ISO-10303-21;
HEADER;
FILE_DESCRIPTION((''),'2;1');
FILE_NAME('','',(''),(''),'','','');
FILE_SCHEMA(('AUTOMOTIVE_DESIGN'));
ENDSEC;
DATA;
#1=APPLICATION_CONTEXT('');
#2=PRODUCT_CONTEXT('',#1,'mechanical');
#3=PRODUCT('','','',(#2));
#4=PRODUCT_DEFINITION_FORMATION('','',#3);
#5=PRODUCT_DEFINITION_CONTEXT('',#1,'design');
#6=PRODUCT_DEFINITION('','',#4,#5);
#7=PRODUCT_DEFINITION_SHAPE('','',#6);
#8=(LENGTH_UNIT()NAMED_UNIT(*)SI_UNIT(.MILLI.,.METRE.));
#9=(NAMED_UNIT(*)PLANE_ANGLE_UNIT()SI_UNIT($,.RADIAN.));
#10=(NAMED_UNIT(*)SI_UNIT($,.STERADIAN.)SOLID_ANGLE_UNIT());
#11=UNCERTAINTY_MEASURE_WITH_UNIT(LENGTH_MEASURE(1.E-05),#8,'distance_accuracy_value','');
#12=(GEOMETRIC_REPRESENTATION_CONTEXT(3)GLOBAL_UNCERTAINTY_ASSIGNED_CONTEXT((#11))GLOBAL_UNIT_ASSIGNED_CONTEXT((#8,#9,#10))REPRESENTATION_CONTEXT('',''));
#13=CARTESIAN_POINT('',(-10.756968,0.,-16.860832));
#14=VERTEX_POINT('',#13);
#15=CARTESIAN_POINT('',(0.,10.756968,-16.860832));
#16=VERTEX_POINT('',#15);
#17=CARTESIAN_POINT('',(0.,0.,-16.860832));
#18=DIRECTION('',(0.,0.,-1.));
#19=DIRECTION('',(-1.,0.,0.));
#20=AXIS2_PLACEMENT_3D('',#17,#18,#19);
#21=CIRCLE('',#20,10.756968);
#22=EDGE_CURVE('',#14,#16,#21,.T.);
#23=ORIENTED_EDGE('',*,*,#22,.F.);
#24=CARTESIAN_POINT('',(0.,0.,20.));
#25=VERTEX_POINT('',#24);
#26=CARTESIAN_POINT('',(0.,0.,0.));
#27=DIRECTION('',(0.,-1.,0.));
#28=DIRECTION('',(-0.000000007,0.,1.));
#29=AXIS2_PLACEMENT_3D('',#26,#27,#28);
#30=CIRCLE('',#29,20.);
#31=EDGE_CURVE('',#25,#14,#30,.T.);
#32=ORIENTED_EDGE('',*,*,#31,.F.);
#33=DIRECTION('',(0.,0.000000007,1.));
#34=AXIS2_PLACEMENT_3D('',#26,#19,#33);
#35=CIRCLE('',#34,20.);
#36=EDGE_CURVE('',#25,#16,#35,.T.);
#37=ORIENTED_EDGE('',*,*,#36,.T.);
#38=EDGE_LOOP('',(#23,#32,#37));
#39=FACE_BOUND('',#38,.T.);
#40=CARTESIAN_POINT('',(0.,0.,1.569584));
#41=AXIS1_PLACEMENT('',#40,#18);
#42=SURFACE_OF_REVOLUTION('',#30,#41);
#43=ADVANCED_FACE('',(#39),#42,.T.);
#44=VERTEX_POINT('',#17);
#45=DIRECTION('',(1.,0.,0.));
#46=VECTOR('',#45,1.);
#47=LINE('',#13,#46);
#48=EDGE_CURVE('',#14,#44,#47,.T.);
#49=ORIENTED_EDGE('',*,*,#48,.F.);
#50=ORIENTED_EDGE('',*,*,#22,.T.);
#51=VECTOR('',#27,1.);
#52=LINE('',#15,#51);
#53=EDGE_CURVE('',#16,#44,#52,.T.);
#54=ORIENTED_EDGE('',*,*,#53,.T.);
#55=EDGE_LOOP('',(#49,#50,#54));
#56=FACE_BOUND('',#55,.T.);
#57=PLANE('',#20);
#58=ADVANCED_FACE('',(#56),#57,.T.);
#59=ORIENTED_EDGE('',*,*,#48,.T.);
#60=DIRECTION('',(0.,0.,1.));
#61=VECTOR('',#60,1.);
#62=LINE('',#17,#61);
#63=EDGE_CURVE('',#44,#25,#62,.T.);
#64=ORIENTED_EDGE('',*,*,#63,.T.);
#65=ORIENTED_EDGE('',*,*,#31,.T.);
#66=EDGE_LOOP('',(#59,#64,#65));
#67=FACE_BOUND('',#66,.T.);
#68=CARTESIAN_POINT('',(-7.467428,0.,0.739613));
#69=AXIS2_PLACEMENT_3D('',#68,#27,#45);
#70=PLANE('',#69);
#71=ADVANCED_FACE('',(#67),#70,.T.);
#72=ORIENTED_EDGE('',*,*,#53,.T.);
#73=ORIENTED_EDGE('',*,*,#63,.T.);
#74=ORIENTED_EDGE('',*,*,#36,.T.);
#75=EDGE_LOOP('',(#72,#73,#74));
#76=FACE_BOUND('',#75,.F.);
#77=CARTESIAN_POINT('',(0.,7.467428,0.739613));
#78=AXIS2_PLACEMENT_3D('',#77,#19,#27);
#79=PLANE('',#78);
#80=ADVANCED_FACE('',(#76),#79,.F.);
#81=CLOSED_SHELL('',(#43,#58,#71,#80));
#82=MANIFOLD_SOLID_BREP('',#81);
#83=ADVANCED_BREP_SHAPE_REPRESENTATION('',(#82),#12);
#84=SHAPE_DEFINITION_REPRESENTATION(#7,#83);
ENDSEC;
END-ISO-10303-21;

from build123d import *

# Parameters (mm, degrees)
F1_ANGLE = 90


with BuildPart() as f1:
    # F0 (on Front) → F1 (revolve)
    with BuildSketch(Plane.XZ):
        with BuildLine():
            Line((0, -16.860832), (0, 20))
            ThreePointArc((0, 20), (-19.199175, 5.602828), (-10.756968, -16.860832))
            Line((-10.756968, -16.860832), (0, -16.860832))
        make_face()
    revolve(axis=Axis((0, 0, 1.569584), (0, 0, -1)), revolution_arc=F1_ANGLE)


solid = f1.part
